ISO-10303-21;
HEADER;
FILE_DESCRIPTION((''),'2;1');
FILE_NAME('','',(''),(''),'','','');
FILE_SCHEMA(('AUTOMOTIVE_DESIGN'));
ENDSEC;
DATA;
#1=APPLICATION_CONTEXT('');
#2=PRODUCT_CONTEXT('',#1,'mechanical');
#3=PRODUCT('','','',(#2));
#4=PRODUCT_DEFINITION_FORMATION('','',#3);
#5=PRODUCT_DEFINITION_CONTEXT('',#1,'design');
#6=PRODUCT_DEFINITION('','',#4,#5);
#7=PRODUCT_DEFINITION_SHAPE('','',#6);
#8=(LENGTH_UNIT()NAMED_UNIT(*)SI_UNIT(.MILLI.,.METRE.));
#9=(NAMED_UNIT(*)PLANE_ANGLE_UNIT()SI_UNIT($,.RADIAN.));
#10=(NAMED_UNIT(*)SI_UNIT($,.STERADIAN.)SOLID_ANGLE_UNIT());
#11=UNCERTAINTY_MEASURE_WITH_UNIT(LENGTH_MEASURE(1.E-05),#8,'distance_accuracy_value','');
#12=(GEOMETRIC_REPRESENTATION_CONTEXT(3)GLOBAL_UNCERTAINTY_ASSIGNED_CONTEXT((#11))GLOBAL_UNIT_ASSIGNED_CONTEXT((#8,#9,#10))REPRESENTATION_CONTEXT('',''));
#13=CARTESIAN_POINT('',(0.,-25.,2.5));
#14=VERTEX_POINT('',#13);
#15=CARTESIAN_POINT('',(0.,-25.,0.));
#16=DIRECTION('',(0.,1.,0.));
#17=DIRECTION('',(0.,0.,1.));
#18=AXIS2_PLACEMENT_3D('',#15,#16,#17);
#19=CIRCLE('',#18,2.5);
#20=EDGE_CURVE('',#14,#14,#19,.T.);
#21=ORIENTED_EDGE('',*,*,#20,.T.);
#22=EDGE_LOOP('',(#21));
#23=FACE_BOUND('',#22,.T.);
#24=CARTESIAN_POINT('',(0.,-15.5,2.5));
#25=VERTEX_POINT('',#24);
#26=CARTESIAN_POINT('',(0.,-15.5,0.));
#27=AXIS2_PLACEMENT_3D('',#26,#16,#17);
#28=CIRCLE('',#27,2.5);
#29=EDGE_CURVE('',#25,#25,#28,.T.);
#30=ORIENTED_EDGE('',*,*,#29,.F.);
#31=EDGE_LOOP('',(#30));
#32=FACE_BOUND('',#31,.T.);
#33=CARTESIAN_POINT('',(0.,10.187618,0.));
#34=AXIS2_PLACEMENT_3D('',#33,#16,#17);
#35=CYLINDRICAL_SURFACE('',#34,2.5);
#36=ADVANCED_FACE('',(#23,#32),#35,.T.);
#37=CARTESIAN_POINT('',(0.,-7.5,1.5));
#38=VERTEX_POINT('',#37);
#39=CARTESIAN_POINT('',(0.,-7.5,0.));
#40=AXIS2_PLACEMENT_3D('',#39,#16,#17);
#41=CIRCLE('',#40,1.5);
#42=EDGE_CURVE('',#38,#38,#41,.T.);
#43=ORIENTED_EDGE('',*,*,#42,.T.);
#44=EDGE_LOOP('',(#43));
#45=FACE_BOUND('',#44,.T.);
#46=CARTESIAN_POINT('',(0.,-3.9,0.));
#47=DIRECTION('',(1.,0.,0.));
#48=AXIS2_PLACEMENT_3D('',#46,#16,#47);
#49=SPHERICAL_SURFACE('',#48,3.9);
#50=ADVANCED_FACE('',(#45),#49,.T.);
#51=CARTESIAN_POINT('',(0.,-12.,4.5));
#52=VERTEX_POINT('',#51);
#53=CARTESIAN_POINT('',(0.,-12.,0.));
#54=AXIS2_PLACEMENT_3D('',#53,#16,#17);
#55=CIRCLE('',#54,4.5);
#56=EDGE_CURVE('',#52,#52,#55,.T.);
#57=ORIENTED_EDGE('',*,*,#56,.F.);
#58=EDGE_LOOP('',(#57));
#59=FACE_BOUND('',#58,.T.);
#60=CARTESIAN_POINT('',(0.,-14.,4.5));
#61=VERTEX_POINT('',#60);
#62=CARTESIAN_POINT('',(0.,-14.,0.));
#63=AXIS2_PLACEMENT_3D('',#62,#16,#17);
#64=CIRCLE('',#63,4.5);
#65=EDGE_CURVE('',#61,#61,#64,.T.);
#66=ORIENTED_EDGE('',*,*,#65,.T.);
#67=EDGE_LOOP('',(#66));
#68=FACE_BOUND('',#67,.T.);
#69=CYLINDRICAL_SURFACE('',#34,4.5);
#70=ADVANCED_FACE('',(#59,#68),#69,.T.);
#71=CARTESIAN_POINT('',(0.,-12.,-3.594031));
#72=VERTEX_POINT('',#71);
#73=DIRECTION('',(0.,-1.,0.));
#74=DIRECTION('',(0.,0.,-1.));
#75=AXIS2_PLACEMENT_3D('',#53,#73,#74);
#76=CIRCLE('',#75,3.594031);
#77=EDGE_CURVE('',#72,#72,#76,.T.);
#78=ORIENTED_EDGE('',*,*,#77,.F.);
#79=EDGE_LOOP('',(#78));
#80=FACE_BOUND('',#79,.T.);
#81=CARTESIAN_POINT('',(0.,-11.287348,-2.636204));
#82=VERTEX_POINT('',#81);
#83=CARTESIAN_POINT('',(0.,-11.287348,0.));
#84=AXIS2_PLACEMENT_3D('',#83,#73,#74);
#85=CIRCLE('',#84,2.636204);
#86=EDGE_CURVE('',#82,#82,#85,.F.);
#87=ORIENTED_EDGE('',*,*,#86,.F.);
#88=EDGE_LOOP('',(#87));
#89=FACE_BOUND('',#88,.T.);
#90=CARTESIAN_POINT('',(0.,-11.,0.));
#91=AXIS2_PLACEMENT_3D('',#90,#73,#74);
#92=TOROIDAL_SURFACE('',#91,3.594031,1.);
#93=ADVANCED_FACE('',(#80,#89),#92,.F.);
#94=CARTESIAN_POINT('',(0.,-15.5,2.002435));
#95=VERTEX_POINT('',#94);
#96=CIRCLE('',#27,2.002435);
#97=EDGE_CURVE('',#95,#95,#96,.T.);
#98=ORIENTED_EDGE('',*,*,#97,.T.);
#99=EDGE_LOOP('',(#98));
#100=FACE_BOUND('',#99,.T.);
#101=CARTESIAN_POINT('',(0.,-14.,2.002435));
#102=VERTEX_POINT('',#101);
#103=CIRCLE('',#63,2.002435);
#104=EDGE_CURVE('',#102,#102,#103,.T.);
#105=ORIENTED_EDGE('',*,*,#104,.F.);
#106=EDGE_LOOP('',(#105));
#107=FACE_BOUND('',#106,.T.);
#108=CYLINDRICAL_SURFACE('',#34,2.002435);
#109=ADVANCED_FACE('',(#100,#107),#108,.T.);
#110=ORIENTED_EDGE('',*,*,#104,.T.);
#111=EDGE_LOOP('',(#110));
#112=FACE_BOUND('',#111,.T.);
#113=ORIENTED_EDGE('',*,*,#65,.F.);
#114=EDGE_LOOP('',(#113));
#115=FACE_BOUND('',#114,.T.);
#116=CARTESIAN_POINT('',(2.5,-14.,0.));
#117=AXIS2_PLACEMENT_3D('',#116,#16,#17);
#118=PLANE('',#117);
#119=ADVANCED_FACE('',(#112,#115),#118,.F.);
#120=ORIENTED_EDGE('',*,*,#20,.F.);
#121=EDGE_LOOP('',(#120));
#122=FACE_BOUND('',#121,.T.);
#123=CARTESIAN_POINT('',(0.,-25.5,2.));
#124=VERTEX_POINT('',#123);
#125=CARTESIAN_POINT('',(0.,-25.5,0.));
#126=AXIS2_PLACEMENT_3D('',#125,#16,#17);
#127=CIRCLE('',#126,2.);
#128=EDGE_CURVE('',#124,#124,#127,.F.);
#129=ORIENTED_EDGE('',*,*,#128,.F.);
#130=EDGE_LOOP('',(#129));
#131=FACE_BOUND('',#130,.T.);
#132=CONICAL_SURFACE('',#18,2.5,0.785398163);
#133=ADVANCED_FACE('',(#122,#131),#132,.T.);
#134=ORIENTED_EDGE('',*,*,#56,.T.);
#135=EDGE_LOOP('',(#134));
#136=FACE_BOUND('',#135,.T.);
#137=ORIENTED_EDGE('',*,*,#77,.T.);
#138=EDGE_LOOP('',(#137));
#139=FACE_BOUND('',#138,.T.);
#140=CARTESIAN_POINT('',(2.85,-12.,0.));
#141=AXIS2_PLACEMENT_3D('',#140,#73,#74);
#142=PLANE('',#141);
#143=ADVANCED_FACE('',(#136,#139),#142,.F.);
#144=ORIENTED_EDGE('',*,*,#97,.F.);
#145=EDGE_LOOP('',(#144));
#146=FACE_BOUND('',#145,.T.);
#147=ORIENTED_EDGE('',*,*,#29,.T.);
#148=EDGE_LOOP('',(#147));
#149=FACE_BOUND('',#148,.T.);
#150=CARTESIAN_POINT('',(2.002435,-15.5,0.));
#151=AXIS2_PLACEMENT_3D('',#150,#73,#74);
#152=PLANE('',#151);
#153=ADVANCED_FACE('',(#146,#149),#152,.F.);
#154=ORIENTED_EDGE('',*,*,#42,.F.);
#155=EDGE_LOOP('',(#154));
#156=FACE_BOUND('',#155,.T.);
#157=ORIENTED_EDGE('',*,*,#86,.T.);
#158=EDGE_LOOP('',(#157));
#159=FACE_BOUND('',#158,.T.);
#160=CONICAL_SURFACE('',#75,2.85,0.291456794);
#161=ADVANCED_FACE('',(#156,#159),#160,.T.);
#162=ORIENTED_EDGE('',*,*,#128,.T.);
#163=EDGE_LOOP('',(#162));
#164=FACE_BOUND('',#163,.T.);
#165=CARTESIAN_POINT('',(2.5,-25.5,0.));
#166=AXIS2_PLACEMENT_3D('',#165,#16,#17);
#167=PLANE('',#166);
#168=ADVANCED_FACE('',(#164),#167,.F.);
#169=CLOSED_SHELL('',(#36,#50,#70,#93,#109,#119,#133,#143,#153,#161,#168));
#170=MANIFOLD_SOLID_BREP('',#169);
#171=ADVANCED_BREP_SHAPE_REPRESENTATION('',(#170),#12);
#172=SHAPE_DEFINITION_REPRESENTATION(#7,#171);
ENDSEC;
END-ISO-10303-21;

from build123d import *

# Parameters (mm, degrees)
CHANFREIN1_SIZE = 0.5
CONG_1_R        = 1


with BuildPart() as part:
    # Esquisse2 → Base-Révolution (revolve)
    with BuildSketch(Plane.XY, mode=Mode.PRIVATE) as base_r_volution_sk:
        with BuildLine():
            Line((1.5, -7.5), (2.85, -12))
            Line((2.85, -12), (4.5, -12))
            Line((4.5, -12), (4.5, -14))
            Line((4.5, -14), (2.5, -14))
            Line((2.5, -14), (2.002434927, -14))
            Line((2.002434927, -14), (2.002434927, -15.5))
            Line((2.002434927, -15.5), (2.5, -15.5))
            Line((2.5, -15.5), (2.5, -25.5))
            Line((2.5, -25.5), (0, -25.5))
            Line((0, -25.5), (0, 0))
            ThreePointArc((0, 0), (3.824264635, -3.135147073), (1.5, -7.5))
        make_face()
    revolve(base_r_volution_sk.sketch.rotate(Axis((0, 10.187617919, 0), (0, -1, 0)), 90), axis=Axis((0, 10.187617919, 0), (0, -1, 0)))  # turned: the seam where the file's is

    # Chanfrein1
    chanfrein1_edges = [part.edges().sort_by_distance(p)[0] for p in [
        (0, -25.5, -2.5),
    ]]
    chamfer(chanfrein1_edges, length=CHANFREIN1_SIZE)

    # Congé1
    cong_1_edges = [part.edges().sort_by_distance(p)[0] for p in [
        (0, -12, -2.85),
    ]]
    fillet(cong_1_edges, radius=CONG_1_R)


solid = part.part
